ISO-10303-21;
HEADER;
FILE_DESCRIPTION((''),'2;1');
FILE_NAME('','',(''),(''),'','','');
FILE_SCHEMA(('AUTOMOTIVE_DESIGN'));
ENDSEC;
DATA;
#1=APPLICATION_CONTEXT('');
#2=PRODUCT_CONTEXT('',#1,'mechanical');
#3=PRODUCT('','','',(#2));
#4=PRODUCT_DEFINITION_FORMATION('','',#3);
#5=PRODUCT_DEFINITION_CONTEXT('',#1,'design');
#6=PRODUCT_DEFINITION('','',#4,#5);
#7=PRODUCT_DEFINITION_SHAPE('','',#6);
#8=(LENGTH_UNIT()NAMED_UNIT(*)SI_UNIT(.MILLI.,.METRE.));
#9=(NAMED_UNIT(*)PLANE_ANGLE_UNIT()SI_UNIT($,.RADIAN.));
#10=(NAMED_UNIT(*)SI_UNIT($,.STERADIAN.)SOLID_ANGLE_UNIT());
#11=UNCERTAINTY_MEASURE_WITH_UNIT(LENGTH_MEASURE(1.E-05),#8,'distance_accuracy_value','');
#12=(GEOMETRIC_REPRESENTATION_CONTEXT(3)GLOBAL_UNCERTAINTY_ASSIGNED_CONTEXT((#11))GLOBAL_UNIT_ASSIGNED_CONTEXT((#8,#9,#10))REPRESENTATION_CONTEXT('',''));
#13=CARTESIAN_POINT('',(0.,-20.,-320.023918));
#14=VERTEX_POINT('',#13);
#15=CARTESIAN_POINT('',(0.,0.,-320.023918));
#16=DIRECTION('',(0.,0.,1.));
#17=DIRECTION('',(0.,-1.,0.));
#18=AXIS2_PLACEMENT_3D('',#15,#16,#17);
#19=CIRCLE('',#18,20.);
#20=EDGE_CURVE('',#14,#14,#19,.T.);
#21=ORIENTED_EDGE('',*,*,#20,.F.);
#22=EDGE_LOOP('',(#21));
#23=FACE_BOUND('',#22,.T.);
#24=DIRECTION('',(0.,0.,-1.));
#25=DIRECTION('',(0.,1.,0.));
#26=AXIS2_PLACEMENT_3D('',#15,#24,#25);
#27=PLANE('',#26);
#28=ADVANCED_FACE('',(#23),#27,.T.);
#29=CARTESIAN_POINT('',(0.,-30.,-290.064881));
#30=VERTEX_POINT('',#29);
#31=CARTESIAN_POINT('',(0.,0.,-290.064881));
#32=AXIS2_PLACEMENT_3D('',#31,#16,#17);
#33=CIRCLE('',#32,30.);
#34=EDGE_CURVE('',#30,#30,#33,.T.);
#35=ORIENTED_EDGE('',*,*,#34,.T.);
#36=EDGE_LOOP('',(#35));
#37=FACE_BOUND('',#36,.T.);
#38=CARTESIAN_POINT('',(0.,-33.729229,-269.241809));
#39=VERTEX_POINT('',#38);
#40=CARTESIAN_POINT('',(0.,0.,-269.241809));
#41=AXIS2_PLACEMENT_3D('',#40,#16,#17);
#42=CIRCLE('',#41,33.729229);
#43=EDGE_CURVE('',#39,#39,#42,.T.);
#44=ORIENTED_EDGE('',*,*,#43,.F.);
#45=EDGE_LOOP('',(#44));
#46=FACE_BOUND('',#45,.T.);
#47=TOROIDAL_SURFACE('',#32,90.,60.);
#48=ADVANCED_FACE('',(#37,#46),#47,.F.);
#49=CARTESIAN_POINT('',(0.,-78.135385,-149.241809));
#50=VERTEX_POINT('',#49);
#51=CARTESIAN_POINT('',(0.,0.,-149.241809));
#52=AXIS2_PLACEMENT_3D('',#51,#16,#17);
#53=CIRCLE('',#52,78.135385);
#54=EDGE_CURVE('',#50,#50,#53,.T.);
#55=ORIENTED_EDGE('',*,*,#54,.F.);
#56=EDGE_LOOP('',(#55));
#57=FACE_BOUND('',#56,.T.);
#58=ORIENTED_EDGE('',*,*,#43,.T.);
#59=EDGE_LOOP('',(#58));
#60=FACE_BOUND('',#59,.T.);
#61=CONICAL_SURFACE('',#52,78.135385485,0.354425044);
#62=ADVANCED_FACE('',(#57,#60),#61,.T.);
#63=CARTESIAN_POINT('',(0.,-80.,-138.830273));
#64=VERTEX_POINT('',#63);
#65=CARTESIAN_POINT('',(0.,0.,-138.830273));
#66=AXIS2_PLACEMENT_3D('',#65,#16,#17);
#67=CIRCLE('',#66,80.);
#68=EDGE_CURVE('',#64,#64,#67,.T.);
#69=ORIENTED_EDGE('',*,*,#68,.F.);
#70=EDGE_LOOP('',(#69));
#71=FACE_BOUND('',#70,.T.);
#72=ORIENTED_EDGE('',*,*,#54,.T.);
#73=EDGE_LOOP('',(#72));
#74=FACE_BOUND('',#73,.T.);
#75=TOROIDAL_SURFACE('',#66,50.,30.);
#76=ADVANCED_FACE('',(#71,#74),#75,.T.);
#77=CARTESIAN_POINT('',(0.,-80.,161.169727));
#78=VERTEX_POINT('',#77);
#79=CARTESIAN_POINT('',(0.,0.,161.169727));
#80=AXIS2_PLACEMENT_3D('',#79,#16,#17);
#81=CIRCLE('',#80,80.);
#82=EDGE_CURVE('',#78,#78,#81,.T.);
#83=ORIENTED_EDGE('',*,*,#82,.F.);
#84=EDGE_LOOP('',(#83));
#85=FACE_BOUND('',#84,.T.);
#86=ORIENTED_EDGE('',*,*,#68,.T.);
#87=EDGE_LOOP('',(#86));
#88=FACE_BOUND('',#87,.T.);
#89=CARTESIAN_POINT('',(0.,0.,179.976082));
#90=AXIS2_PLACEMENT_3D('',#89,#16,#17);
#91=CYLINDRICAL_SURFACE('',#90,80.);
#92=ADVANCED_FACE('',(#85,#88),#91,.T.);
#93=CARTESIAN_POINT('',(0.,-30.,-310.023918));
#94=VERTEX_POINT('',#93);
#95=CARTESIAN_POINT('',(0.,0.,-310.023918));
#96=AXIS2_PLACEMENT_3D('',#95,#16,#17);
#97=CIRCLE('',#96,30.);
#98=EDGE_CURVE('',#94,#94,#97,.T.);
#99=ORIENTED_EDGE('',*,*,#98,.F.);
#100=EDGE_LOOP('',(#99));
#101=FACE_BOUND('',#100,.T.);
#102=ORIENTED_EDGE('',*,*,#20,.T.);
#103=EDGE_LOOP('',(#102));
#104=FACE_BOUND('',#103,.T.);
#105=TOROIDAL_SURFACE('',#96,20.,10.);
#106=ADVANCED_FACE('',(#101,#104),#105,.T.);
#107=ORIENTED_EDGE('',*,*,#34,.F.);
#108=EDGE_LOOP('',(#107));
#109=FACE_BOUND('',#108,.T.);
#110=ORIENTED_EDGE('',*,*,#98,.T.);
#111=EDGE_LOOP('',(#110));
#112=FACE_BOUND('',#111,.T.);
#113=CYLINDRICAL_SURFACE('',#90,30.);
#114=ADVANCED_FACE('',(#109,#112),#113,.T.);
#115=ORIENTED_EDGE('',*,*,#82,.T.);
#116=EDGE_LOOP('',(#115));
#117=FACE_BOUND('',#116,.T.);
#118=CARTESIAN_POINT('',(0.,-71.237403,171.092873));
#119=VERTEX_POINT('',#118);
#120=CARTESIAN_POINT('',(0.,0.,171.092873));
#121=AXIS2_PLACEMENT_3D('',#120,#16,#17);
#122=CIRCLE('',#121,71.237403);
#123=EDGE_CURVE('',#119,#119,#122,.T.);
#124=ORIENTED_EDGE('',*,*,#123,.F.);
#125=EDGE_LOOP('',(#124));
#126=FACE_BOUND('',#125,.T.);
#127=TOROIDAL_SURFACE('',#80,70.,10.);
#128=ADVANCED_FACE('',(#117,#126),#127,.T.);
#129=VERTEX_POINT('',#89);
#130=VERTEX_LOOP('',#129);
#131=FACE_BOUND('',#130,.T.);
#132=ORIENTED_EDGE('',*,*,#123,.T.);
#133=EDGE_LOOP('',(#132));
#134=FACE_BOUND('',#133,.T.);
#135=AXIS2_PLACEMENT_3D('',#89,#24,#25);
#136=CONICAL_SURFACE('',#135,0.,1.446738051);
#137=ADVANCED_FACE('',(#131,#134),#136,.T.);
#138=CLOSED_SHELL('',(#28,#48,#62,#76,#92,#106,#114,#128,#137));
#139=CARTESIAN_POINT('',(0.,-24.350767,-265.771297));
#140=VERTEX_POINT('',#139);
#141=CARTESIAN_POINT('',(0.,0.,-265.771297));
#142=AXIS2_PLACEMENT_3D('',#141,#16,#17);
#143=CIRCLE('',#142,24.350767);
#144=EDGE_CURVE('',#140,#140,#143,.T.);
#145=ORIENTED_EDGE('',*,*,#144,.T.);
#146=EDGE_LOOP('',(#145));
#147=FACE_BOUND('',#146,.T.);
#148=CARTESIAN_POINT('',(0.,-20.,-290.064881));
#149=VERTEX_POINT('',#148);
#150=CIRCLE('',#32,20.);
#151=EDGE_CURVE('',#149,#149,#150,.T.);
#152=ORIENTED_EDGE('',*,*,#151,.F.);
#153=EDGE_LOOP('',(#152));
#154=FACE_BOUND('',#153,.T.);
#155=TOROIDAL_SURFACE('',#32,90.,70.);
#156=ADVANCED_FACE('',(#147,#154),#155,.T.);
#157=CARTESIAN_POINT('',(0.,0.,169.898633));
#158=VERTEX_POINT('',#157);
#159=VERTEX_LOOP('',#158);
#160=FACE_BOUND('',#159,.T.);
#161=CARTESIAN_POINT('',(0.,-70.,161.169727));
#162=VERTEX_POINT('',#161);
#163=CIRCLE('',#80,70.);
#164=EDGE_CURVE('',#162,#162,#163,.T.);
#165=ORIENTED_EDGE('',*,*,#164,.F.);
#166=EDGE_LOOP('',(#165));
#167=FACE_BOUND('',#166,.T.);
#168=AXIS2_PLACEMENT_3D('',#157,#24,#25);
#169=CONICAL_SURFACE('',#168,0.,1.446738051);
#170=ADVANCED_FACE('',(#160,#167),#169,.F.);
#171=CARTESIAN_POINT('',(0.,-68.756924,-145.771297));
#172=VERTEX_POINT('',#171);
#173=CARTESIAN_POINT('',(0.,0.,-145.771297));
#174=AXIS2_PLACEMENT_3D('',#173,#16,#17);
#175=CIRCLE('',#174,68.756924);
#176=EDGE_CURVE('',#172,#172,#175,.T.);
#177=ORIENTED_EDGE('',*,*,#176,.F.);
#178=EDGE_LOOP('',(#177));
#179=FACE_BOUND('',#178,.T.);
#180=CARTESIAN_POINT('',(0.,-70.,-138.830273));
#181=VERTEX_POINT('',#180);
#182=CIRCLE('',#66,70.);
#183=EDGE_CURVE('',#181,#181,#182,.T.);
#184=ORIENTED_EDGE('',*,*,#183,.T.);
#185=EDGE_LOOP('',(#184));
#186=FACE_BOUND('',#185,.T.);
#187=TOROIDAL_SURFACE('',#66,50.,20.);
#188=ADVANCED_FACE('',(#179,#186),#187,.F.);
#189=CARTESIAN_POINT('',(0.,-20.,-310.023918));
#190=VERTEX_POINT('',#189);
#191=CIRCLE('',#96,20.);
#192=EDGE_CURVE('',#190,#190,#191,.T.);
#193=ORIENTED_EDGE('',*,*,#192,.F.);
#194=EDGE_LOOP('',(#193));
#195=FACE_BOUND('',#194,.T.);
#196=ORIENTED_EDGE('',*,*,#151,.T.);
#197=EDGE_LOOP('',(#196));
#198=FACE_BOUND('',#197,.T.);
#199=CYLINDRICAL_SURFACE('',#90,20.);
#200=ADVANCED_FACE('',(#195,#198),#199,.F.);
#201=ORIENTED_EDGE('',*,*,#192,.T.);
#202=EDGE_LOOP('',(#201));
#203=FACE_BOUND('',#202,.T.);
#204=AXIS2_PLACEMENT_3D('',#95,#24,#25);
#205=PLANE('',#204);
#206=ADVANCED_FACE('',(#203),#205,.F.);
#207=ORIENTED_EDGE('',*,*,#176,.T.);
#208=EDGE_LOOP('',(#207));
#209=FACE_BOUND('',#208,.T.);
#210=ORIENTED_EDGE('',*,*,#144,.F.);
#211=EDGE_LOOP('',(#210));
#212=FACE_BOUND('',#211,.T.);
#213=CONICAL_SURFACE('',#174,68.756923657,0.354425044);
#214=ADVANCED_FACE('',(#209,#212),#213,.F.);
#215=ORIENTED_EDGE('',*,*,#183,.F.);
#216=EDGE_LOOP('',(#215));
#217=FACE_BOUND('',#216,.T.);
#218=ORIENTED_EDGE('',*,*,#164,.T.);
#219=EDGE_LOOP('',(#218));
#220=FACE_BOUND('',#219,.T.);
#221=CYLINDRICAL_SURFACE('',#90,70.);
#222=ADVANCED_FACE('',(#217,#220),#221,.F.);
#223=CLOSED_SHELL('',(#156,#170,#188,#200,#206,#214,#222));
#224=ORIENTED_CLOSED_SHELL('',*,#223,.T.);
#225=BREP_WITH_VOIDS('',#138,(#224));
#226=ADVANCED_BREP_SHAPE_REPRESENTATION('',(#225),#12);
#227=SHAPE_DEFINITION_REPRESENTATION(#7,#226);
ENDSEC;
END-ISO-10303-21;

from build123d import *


with BuildPart() as part:
    # Sketch1 → Revolve2 (revolve)
    with BuildSketch(Plane(origin=(0, 0, 0), x_dir=(0, 0, -1), z_dir=(1, 0, 0)), mode=Mode.PRIVATE) as revolve2_sk:
        with BuildLine():
            Line((310.023918284, 20), (310.023918284, 0))
            Line((310.023918284, 0), (320.023918284, 0))
            Line((320.023918284, 0), (320.023918284, 20))
            ThreePointArc((320.023918284, 20), (317.094986096, 27.071067812), (310.023918284, 30))
            Line((310.023918284, 30), (290.064881334, 30))
            ThreePointArc((290.064881334, 30), (279.487694994, 30.939665349), (269.24180917, 33.729229029))
            Line((269.24180917, 33.729229029), (149.24180917, 78.135385485))
            ThreePointArc((149.24180917, 78.135385485), (144.118866258, 79.530167326), (138.830273088, 80))
            Line((138.830273088, 80), (-161.169726912, 80))
            ThreePointArc((-161.169726912, 80), (-167.788864689, 77.49579983), (-171.092873277, 71.237403019))
            Line((-171.092873277, 71.237403019), (-179.976081716, 0))
            Line((-179.976081716, 0), (-169.898632858, 0))
            Line((-169.898632858, 0), (-161.169726912, 70))
            Line((-161.169726912, 70), (138.830273088, 70))
            ThreePointArc((138.830273088, 70), (142.356001868, 69.686778217), (145.771297142, 68.756923657))
            Line((145.771297142, 68.756923657), (265.771297142, 24.350767201))
            ThreePointArc((265.771297142, 24.350767201), (277.724830603, 21.09627624), (290.064881334, 20))
            Line((290.064881334, 20), (310.023918284, 20))
        make_face()
    revolve(revolve2_sk.sketch.rotate(Axis((0, 0, 179.976081716), (0, 0, -1)), 180), axis=Axis((0, 0, 179.976081716), (0, 0, -1)))


solid = part.part
